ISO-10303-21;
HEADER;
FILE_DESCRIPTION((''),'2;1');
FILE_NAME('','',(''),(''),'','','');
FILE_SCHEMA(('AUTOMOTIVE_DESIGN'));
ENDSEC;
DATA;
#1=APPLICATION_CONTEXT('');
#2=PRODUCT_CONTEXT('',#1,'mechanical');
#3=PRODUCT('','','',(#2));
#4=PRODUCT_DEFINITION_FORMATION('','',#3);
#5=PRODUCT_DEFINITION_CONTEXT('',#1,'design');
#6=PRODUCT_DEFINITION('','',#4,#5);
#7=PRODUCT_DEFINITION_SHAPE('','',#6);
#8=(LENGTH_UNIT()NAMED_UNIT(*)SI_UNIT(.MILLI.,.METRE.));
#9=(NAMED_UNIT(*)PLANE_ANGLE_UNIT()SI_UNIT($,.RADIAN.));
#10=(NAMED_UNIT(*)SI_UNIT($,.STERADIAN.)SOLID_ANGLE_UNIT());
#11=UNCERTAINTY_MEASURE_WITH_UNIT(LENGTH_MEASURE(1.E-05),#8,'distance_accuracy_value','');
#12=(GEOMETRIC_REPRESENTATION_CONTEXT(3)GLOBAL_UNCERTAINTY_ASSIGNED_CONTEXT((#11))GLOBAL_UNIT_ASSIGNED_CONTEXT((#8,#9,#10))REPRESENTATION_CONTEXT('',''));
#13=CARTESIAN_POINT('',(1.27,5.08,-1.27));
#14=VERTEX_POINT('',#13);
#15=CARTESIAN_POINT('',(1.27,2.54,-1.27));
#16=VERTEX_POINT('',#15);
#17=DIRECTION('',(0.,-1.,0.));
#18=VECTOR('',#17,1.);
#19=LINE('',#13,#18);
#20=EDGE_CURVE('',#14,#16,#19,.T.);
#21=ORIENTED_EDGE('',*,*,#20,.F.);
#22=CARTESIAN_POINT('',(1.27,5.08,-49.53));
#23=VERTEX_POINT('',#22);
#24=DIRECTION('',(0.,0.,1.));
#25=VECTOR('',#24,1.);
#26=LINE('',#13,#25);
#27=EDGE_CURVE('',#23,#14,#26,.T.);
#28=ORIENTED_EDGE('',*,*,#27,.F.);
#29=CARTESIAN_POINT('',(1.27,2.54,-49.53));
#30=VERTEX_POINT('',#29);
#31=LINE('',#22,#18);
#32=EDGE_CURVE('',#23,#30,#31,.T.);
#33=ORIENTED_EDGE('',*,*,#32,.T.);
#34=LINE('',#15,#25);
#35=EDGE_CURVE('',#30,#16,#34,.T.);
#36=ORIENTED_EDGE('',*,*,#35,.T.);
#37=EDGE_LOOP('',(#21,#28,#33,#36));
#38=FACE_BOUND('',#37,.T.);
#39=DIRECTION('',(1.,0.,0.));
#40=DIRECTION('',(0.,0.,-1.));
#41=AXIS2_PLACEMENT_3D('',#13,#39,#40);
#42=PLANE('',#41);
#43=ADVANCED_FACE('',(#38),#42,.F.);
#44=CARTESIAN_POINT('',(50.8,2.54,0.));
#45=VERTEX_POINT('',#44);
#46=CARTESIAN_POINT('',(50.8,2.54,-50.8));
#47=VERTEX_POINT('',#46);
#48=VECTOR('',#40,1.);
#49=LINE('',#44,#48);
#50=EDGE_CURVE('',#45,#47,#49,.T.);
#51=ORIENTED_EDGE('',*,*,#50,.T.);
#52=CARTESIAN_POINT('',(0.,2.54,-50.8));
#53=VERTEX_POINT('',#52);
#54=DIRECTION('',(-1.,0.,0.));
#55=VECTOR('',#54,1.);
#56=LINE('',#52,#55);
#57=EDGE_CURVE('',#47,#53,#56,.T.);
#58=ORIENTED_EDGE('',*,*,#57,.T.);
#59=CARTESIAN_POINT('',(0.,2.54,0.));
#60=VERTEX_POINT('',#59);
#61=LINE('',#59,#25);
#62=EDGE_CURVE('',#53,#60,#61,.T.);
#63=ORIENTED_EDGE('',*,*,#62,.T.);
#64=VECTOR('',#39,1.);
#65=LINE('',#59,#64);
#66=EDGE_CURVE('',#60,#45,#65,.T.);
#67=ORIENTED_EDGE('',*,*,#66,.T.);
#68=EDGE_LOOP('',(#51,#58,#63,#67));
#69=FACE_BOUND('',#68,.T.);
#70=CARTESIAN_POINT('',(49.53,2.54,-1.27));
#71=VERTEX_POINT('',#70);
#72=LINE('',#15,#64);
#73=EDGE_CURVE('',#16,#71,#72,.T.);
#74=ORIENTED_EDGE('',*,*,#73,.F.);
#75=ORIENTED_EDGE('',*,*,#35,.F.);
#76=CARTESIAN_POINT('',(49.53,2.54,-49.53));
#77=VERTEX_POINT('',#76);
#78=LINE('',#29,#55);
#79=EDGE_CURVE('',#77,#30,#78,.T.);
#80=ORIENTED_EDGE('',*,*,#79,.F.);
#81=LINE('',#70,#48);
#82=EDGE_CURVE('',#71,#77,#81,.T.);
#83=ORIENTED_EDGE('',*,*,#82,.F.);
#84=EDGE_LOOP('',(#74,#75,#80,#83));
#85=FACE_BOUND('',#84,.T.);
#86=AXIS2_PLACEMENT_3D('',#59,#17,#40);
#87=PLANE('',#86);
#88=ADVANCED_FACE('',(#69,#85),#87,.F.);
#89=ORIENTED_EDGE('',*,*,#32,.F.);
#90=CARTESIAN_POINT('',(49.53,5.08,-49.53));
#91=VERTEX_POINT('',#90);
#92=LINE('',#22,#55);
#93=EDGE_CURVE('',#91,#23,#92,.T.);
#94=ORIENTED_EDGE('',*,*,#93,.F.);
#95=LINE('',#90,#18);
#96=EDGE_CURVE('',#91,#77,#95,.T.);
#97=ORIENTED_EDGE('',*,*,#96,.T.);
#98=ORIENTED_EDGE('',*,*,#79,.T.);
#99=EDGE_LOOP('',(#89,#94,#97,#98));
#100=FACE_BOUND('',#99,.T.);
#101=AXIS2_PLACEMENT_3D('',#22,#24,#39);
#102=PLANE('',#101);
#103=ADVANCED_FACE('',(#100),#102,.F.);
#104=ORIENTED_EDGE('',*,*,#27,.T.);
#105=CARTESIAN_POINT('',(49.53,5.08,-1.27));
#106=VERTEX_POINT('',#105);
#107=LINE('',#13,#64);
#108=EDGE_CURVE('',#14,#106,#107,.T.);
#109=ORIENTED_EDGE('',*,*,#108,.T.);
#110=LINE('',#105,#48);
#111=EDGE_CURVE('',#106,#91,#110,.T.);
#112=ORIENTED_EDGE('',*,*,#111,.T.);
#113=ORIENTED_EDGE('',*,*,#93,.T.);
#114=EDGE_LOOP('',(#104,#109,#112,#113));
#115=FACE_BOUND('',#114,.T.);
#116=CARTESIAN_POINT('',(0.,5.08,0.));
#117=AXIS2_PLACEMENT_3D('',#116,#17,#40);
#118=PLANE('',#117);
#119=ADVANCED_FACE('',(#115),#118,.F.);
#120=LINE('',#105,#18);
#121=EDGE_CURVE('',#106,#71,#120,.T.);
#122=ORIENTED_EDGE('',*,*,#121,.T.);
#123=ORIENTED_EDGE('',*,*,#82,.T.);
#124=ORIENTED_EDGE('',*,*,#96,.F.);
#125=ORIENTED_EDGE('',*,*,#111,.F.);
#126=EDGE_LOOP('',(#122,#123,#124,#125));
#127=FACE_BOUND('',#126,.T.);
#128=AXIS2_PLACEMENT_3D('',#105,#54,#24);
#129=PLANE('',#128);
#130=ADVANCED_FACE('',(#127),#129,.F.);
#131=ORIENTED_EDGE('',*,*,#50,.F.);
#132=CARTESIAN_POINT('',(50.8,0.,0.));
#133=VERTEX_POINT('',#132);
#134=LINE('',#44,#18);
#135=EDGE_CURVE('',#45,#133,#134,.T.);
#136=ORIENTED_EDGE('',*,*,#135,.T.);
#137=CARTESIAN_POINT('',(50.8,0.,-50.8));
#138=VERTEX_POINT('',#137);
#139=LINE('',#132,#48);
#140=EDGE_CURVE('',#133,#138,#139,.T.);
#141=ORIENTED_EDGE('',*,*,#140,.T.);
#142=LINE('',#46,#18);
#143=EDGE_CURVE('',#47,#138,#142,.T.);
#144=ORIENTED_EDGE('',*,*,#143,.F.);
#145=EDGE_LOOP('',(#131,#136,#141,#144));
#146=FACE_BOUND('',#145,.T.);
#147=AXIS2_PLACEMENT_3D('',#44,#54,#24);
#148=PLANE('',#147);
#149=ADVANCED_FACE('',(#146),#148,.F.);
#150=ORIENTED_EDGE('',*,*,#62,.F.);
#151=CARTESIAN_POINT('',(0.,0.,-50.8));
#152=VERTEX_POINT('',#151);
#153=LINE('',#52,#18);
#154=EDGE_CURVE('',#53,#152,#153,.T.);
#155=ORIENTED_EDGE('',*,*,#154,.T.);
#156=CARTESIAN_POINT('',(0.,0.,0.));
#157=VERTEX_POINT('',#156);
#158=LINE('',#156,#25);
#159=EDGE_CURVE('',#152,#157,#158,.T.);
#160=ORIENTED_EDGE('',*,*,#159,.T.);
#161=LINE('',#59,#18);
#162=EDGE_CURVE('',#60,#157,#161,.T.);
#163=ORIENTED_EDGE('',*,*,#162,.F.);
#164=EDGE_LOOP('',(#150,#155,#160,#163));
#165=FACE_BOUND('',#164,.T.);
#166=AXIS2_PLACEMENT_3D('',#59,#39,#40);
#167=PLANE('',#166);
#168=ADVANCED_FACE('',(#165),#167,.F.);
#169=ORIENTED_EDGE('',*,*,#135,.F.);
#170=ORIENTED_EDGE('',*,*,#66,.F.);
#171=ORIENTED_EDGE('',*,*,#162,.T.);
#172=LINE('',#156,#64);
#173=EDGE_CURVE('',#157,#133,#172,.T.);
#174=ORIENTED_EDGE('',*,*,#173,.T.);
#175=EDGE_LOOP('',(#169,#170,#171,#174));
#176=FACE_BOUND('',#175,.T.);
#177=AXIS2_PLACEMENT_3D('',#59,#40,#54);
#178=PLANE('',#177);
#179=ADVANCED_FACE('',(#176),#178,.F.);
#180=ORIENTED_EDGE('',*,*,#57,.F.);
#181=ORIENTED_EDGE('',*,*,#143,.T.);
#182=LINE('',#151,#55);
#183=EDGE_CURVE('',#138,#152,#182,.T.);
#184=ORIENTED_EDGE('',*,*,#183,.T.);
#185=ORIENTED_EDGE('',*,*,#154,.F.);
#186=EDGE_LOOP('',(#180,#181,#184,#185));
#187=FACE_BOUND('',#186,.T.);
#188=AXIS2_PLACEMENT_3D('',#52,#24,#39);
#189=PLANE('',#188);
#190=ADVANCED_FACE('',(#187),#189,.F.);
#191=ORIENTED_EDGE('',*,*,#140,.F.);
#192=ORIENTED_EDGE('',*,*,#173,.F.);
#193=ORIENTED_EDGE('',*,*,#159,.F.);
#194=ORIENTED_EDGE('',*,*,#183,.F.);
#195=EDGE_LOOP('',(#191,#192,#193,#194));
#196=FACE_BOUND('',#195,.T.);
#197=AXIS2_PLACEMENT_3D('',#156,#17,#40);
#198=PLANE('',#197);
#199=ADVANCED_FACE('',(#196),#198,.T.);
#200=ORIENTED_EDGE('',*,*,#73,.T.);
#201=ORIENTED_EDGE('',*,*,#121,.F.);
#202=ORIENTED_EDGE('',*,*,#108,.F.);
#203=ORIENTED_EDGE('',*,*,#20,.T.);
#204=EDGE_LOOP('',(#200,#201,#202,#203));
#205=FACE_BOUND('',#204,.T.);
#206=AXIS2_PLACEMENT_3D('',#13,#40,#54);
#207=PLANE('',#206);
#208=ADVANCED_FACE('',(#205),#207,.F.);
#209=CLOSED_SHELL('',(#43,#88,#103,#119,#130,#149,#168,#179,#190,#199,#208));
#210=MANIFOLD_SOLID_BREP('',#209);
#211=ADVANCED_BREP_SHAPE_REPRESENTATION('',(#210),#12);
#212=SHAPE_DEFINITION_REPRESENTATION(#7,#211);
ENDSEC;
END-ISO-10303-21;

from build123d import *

# Parameters (mm, degrees)
SKETCH1_W           = 50.8
SKETCH1_H           = 50.8
BOSS_EXTRUDE1_DEPTH = 2.54
SKETCH2_W           = 48.26
SKETCH2_H           = 48.26
BOSS_EXTRUDE2_DEPTH = 2.54


with BuildPart() as part:
    # Sketch1 → Boss-Extrude1 (new body)
    with BuildSketch(Plane(origin=(0, 0, 0), x_dir=(1, 0, 0), z_dir=(0, 1, 0))):
        with Locations((25.4, 25.4)):
            Rectangle(SKETCH1_W, SKETCH1_H)
    extrude(amount=BOSS_EXTRUDE1_DEPTH)

    # Sketch2 → Boss-Extrude2 (add)
    with BuildSketch(Plane(origin=(0, 2.54, 0), x_dir=(1, 0, 0), z_dir=(0, 1, 0))):
        with Locations((25.4, 25.4)):
            Rectangle(SKETCH2_W, SKETCH2_H)
    extrude(amount=BOSS_EXTRUDE2_DEPTH)


solid = part.part
